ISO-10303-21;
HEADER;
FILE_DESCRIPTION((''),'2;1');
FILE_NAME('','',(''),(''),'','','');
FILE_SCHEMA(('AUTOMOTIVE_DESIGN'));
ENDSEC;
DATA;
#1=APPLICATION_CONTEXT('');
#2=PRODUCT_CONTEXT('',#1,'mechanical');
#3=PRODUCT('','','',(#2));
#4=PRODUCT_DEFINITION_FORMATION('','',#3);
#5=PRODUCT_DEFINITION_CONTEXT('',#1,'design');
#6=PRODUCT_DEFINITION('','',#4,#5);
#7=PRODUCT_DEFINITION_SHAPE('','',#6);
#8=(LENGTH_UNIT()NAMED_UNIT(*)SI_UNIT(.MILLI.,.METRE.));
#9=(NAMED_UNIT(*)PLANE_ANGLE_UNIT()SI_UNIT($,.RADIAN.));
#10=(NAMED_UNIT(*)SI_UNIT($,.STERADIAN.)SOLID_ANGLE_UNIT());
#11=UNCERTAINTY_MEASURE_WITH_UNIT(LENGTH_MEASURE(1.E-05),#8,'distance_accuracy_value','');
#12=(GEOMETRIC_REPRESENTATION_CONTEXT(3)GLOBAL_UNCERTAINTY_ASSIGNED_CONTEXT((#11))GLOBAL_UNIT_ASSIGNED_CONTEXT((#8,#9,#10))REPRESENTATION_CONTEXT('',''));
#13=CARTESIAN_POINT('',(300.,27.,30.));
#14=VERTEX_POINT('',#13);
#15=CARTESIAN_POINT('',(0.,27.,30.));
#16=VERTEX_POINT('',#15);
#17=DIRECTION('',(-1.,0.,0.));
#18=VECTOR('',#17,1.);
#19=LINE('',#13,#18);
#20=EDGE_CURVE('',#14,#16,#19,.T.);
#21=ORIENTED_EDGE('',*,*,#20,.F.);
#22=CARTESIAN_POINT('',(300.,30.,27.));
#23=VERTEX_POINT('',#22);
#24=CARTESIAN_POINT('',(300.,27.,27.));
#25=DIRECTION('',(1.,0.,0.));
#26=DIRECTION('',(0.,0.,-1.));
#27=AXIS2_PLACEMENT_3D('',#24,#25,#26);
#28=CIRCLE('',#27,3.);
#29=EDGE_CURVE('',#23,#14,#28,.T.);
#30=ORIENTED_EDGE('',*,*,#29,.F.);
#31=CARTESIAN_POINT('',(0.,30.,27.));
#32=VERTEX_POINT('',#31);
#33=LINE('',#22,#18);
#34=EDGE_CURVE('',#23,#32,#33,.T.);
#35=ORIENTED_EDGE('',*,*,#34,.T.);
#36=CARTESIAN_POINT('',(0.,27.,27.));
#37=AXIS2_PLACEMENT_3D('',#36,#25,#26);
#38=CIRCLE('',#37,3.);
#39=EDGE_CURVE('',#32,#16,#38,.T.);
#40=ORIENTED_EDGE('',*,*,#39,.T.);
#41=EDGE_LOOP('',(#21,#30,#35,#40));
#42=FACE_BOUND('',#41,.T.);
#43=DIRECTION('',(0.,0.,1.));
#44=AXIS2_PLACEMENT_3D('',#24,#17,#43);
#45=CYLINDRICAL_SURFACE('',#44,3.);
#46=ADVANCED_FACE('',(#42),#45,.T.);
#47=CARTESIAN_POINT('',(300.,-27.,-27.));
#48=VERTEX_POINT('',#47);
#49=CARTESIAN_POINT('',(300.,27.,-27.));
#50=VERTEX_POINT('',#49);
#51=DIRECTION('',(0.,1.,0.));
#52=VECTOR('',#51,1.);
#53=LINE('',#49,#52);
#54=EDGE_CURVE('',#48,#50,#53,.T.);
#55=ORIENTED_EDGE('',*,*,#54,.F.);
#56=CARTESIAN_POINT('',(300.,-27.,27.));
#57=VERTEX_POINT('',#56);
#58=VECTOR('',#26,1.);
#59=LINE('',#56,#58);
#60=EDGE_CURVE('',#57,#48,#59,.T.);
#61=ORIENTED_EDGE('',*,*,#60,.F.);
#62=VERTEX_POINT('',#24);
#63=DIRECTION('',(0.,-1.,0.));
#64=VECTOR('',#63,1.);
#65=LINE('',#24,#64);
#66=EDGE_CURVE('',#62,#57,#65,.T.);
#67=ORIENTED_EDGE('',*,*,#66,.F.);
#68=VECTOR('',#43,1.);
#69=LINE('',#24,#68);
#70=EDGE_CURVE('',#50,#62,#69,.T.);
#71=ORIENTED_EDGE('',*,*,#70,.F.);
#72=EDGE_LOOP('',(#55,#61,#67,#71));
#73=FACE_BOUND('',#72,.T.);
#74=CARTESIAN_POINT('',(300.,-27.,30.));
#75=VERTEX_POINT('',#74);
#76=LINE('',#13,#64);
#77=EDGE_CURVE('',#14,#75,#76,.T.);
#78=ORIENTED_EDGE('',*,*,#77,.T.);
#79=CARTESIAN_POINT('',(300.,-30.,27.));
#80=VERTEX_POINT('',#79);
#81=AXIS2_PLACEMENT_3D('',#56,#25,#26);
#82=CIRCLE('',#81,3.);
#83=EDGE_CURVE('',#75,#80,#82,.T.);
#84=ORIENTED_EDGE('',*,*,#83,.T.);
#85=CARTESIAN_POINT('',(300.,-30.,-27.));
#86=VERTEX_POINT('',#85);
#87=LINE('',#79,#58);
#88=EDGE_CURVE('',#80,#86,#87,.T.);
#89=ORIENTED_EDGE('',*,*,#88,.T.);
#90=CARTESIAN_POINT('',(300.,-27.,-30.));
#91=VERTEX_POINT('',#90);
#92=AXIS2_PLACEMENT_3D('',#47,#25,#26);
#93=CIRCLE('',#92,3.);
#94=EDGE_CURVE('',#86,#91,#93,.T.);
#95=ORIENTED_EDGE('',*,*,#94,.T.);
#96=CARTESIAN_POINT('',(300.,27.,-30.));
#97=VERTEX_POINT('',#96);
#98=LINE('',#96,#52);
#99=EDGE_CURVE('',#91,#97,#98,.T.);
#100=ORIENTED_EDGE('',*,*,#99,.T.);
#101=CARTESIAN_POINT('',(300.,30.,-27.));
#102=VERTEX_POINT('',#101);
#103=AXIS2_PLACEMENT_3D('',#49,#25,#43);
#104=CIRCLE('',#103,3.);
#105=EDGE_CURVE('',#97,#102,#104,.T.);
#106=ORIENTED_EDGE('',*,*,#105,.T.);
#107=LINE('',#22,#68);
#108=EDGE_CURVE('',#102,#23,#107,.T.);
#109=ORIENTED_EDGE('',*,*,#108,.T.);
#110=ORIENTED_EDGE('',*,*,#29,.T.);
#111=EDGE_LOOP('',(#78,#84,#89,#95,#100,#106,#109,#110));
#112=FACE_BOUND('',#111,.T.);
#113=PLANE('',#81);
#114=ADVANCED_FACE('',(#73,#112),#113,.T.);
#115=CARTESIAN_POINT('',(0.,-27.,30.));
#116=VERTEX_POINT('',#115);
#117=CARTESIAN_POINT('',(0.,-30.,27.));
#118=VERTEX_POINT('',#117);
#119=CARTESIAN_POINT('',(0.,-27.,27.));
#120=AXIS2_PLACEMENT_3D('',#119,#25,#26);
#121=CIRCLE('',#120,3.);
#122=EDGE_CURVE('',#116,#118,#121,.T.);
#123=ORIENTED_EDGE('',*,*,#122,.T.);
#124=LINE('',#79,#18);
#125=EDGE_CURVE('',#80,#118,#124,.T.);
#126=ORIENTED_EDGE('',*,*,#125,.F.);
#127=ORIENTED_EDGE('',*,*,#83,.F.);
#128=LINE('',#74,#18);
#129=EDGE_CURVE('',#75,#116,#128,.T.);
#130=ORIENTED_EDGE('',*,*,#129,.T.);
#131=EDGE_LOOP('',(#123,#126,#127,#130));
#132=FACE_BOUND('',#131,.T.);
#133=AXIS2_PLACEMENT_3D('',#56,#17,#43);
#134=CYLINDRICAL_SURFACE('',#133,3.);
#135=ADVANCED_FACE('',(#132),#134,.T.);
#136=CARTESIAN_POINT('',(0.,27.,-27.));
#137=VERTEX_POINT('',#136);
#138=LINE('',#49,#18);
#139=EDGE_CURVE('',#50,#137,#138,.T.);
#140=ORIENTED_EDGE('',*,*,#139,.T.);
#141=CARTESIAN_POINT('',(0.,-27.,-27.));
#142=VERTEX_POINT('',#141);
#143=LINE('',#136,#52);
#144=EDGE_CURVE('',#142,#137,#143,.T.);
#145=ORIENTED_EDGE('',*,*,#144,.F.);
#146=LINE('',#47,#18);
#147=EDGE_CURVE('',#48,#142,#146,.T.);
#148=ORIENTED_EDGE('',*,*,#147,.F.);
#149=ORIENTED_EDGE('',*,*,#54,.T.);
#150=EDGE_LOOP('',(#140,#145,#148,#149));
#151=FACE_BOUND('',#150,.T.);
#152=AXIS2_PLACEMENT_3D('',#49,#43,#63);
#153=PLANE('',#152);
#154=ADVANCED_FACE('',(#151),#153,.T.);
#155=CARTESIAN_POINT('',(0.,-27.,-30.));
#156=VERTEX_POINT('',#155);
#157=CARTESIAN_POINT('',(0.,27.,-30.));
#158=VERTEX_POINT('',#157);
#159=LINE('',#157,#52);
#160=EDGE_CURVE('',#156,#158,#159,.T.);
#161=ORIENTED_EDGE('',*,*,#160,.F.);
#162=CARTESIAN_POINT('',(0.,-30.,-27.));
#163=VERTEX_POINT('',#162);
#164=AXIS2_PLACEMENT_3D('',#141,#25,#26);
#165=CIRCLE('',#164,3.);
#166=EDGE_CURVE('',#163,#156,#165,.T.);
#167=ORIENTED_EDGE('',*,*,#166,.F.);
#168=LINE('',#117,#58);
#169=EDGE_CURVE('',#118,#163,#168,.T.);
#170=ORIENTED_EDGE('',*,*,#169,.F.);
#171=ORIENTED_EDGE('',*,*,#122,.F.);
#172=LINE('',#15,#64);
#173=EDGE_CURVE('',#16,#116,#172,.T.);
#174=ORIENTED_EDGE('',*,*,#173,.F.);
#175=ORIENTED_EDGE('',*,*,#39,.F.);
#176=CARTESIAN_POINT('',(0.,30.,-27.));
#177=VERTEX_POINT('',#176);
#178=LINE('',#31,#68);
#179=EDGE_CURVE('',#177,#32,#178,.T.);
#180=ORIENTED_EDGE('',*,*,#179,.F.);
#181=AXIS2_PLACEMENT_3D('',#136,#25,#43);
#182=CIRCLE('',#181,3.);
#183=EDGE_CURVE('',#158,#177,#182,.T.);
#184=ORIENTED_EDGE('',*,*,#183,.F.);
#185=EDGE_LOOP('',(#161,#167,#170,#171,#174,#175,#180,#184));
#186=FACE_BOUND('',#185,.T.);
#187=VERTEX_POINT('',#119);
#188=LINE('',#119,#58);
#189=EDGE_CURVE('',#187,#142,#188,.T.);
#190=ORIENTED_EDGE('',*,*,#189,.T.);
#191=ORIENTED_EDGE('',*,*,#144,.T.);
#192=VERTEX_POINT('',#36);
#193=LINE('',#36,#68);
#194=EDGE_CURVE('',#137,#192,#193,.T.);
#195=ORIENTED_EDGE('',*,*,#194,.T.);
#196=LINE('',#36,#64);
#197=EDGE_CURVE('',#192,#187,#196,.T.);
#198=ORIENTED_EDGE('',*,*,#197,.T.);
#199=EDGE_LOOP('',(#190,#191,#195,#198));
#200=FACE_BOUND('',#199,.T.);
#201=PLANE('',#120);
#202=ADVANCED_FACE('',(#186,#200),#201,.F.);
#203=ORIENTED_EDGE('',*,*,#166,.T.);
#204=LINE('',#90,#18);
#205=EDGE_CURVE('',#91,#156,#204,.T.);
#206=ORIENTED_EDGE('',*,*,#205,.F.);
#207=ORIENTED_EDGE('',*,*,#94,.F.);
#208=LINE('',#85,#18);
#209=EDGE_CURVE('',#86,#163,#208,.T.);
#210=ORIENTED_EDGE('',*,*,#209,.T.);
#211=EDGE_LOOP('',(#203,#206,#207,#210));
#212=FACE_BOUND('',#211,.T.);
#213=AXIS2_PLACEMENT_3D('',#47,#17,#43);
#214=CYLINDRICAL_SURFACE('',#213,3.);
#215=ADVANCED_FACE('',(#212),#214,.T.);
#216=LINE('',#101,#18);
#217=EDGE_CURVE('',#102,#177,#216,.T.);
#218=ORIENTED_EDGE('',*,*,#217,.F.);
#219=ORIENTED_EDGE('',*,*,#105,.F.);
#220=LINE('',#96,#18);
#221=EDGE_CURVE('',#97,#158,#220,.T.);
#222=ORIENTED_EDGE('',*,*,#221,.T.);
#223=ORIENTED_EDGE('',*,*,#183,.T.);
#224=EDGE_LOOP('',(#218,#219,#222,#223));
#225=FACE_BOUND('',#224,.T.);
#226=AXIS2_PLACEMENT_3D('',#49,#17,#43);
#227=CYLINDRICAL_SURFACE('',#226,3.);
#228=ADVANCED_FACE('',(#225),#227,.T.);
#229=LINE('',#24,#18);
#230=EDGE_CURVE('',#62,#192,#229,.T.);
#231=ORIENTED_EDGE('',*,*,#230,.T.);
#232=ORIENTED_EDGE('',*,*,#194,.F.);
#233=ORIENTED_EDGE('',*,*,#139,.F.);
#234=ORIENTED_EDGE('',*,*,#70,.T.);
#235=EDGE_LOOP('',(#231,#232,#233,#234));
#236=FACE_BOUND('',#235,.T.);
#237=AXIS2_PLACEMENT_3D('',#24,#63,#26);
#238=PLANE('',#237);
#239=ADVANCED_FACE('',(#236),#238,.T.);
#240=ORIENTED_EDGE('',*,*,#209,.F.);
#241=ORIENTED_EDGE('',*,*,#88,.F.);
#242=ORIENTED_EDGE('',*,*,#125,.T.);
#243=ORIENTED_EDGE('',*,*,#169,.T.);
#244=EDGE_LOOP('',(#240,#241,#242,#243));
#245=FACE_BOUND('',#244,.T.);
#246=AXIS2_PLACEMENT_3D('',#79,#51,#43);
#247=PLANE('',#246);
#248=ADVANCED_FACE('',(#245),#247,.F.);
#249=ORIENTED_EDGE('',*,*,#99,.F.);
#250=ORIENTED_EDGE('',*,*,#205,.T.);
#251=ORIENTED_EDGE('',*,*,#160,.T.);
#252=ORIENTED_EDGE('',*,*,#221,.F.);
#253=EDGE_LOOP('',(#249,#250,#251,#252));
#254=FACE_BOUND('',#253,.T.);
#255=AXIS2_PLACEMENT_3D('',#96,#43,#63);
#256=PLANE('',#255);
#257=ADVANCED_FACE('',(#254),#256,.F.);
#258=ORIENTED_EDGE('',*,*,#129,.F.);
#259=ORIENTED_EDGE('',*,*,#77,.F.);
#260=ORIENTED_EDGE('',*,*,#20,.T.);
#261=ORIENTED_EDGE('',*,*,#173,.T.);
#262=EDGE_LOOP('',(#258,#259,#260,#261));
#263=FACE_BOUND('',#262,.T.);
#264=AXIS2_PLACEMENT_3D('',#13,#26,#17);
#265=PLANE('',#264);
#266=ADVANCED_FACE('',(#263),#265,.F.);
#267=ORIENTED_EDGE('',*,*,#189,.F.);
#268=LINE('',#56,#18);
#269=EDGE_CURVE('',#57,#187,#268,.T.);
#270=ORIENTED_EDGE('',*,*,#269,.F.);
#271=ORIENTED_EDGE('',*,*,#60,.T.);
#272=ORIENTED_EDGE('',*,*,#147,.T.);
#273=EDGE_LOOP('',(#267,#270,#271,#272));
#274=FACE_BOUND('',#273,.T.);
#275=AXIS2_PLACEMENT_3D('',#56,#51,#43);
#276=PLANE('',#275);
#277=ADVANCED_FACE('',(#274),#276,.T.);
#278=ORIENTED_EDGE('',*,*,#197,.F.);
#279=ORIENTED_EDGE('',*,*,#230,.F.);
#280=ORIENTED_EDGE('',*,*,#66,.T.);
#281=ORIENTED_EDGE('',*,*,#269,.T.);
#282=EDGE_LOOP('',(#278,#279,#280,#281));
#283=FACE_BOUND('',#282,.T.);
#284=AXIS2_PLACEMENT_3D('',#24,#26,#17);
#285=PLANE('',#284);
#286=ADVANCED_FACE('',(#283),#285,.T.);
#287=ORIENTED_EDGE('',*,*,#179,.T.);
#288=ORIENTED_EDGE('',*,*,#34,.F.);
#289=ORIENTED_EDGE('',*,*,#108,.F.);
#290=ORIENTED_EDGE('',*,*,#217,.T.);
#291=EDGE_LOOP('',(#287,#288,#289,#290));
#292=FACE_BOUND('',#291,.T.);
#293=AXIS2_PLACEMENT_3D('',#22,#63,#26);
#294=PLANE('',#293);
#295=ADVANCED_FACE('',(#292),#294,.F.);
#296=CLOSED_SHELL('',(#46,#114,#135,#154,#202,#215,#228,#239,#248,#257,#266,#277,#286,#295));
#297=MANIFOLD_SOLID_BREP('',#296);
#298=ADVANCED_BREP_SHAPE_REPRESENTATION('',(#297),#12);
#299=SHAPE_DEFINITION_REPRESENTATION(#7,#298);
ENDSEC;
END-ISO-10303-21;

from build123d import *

# Parameters (mm, degrees)
SKETCH_1_W      = 54
SKETCH_1_H      = 54
EXTRUDE_2_DEPTH = 300


with BuildPart() as part:
    # Эскиз1 → Вытянуть-Тонкостенный2 (new body)
    with BuildSketch(Plane(origin=(0, 0, 0), x_dir=(0, 0, -1), z_dir=(1, 0, 0))):
        with BuildLine():
            Line((-27, 30), (27, 30))
            ThreePointArc((27, 30), (29.121320344, 29.121320344), (30, 27))
            Line((30, 27), (30, -27))
            ThreePointArc((30, -27), (29.121320344, -29.121320344), (27, -30))
            Line((27, -30), (-27, -30))
            ThreePointArc((-27, -30), (-29.121320344, -29.121320344), (-30, -27))
            Line((-30, -27), (-30, 27))
            ThreePointArc((-30, 27), (-29.121320344, 29.121320344), (-27, 30))
        make_face()
        Rectangle(SKETCH_1_W, SKETCH_1_H, mode=Mode.SUBTRACT)
    extrude(amount=EXTRUDE_2_DEPTH)


solid = part.part
